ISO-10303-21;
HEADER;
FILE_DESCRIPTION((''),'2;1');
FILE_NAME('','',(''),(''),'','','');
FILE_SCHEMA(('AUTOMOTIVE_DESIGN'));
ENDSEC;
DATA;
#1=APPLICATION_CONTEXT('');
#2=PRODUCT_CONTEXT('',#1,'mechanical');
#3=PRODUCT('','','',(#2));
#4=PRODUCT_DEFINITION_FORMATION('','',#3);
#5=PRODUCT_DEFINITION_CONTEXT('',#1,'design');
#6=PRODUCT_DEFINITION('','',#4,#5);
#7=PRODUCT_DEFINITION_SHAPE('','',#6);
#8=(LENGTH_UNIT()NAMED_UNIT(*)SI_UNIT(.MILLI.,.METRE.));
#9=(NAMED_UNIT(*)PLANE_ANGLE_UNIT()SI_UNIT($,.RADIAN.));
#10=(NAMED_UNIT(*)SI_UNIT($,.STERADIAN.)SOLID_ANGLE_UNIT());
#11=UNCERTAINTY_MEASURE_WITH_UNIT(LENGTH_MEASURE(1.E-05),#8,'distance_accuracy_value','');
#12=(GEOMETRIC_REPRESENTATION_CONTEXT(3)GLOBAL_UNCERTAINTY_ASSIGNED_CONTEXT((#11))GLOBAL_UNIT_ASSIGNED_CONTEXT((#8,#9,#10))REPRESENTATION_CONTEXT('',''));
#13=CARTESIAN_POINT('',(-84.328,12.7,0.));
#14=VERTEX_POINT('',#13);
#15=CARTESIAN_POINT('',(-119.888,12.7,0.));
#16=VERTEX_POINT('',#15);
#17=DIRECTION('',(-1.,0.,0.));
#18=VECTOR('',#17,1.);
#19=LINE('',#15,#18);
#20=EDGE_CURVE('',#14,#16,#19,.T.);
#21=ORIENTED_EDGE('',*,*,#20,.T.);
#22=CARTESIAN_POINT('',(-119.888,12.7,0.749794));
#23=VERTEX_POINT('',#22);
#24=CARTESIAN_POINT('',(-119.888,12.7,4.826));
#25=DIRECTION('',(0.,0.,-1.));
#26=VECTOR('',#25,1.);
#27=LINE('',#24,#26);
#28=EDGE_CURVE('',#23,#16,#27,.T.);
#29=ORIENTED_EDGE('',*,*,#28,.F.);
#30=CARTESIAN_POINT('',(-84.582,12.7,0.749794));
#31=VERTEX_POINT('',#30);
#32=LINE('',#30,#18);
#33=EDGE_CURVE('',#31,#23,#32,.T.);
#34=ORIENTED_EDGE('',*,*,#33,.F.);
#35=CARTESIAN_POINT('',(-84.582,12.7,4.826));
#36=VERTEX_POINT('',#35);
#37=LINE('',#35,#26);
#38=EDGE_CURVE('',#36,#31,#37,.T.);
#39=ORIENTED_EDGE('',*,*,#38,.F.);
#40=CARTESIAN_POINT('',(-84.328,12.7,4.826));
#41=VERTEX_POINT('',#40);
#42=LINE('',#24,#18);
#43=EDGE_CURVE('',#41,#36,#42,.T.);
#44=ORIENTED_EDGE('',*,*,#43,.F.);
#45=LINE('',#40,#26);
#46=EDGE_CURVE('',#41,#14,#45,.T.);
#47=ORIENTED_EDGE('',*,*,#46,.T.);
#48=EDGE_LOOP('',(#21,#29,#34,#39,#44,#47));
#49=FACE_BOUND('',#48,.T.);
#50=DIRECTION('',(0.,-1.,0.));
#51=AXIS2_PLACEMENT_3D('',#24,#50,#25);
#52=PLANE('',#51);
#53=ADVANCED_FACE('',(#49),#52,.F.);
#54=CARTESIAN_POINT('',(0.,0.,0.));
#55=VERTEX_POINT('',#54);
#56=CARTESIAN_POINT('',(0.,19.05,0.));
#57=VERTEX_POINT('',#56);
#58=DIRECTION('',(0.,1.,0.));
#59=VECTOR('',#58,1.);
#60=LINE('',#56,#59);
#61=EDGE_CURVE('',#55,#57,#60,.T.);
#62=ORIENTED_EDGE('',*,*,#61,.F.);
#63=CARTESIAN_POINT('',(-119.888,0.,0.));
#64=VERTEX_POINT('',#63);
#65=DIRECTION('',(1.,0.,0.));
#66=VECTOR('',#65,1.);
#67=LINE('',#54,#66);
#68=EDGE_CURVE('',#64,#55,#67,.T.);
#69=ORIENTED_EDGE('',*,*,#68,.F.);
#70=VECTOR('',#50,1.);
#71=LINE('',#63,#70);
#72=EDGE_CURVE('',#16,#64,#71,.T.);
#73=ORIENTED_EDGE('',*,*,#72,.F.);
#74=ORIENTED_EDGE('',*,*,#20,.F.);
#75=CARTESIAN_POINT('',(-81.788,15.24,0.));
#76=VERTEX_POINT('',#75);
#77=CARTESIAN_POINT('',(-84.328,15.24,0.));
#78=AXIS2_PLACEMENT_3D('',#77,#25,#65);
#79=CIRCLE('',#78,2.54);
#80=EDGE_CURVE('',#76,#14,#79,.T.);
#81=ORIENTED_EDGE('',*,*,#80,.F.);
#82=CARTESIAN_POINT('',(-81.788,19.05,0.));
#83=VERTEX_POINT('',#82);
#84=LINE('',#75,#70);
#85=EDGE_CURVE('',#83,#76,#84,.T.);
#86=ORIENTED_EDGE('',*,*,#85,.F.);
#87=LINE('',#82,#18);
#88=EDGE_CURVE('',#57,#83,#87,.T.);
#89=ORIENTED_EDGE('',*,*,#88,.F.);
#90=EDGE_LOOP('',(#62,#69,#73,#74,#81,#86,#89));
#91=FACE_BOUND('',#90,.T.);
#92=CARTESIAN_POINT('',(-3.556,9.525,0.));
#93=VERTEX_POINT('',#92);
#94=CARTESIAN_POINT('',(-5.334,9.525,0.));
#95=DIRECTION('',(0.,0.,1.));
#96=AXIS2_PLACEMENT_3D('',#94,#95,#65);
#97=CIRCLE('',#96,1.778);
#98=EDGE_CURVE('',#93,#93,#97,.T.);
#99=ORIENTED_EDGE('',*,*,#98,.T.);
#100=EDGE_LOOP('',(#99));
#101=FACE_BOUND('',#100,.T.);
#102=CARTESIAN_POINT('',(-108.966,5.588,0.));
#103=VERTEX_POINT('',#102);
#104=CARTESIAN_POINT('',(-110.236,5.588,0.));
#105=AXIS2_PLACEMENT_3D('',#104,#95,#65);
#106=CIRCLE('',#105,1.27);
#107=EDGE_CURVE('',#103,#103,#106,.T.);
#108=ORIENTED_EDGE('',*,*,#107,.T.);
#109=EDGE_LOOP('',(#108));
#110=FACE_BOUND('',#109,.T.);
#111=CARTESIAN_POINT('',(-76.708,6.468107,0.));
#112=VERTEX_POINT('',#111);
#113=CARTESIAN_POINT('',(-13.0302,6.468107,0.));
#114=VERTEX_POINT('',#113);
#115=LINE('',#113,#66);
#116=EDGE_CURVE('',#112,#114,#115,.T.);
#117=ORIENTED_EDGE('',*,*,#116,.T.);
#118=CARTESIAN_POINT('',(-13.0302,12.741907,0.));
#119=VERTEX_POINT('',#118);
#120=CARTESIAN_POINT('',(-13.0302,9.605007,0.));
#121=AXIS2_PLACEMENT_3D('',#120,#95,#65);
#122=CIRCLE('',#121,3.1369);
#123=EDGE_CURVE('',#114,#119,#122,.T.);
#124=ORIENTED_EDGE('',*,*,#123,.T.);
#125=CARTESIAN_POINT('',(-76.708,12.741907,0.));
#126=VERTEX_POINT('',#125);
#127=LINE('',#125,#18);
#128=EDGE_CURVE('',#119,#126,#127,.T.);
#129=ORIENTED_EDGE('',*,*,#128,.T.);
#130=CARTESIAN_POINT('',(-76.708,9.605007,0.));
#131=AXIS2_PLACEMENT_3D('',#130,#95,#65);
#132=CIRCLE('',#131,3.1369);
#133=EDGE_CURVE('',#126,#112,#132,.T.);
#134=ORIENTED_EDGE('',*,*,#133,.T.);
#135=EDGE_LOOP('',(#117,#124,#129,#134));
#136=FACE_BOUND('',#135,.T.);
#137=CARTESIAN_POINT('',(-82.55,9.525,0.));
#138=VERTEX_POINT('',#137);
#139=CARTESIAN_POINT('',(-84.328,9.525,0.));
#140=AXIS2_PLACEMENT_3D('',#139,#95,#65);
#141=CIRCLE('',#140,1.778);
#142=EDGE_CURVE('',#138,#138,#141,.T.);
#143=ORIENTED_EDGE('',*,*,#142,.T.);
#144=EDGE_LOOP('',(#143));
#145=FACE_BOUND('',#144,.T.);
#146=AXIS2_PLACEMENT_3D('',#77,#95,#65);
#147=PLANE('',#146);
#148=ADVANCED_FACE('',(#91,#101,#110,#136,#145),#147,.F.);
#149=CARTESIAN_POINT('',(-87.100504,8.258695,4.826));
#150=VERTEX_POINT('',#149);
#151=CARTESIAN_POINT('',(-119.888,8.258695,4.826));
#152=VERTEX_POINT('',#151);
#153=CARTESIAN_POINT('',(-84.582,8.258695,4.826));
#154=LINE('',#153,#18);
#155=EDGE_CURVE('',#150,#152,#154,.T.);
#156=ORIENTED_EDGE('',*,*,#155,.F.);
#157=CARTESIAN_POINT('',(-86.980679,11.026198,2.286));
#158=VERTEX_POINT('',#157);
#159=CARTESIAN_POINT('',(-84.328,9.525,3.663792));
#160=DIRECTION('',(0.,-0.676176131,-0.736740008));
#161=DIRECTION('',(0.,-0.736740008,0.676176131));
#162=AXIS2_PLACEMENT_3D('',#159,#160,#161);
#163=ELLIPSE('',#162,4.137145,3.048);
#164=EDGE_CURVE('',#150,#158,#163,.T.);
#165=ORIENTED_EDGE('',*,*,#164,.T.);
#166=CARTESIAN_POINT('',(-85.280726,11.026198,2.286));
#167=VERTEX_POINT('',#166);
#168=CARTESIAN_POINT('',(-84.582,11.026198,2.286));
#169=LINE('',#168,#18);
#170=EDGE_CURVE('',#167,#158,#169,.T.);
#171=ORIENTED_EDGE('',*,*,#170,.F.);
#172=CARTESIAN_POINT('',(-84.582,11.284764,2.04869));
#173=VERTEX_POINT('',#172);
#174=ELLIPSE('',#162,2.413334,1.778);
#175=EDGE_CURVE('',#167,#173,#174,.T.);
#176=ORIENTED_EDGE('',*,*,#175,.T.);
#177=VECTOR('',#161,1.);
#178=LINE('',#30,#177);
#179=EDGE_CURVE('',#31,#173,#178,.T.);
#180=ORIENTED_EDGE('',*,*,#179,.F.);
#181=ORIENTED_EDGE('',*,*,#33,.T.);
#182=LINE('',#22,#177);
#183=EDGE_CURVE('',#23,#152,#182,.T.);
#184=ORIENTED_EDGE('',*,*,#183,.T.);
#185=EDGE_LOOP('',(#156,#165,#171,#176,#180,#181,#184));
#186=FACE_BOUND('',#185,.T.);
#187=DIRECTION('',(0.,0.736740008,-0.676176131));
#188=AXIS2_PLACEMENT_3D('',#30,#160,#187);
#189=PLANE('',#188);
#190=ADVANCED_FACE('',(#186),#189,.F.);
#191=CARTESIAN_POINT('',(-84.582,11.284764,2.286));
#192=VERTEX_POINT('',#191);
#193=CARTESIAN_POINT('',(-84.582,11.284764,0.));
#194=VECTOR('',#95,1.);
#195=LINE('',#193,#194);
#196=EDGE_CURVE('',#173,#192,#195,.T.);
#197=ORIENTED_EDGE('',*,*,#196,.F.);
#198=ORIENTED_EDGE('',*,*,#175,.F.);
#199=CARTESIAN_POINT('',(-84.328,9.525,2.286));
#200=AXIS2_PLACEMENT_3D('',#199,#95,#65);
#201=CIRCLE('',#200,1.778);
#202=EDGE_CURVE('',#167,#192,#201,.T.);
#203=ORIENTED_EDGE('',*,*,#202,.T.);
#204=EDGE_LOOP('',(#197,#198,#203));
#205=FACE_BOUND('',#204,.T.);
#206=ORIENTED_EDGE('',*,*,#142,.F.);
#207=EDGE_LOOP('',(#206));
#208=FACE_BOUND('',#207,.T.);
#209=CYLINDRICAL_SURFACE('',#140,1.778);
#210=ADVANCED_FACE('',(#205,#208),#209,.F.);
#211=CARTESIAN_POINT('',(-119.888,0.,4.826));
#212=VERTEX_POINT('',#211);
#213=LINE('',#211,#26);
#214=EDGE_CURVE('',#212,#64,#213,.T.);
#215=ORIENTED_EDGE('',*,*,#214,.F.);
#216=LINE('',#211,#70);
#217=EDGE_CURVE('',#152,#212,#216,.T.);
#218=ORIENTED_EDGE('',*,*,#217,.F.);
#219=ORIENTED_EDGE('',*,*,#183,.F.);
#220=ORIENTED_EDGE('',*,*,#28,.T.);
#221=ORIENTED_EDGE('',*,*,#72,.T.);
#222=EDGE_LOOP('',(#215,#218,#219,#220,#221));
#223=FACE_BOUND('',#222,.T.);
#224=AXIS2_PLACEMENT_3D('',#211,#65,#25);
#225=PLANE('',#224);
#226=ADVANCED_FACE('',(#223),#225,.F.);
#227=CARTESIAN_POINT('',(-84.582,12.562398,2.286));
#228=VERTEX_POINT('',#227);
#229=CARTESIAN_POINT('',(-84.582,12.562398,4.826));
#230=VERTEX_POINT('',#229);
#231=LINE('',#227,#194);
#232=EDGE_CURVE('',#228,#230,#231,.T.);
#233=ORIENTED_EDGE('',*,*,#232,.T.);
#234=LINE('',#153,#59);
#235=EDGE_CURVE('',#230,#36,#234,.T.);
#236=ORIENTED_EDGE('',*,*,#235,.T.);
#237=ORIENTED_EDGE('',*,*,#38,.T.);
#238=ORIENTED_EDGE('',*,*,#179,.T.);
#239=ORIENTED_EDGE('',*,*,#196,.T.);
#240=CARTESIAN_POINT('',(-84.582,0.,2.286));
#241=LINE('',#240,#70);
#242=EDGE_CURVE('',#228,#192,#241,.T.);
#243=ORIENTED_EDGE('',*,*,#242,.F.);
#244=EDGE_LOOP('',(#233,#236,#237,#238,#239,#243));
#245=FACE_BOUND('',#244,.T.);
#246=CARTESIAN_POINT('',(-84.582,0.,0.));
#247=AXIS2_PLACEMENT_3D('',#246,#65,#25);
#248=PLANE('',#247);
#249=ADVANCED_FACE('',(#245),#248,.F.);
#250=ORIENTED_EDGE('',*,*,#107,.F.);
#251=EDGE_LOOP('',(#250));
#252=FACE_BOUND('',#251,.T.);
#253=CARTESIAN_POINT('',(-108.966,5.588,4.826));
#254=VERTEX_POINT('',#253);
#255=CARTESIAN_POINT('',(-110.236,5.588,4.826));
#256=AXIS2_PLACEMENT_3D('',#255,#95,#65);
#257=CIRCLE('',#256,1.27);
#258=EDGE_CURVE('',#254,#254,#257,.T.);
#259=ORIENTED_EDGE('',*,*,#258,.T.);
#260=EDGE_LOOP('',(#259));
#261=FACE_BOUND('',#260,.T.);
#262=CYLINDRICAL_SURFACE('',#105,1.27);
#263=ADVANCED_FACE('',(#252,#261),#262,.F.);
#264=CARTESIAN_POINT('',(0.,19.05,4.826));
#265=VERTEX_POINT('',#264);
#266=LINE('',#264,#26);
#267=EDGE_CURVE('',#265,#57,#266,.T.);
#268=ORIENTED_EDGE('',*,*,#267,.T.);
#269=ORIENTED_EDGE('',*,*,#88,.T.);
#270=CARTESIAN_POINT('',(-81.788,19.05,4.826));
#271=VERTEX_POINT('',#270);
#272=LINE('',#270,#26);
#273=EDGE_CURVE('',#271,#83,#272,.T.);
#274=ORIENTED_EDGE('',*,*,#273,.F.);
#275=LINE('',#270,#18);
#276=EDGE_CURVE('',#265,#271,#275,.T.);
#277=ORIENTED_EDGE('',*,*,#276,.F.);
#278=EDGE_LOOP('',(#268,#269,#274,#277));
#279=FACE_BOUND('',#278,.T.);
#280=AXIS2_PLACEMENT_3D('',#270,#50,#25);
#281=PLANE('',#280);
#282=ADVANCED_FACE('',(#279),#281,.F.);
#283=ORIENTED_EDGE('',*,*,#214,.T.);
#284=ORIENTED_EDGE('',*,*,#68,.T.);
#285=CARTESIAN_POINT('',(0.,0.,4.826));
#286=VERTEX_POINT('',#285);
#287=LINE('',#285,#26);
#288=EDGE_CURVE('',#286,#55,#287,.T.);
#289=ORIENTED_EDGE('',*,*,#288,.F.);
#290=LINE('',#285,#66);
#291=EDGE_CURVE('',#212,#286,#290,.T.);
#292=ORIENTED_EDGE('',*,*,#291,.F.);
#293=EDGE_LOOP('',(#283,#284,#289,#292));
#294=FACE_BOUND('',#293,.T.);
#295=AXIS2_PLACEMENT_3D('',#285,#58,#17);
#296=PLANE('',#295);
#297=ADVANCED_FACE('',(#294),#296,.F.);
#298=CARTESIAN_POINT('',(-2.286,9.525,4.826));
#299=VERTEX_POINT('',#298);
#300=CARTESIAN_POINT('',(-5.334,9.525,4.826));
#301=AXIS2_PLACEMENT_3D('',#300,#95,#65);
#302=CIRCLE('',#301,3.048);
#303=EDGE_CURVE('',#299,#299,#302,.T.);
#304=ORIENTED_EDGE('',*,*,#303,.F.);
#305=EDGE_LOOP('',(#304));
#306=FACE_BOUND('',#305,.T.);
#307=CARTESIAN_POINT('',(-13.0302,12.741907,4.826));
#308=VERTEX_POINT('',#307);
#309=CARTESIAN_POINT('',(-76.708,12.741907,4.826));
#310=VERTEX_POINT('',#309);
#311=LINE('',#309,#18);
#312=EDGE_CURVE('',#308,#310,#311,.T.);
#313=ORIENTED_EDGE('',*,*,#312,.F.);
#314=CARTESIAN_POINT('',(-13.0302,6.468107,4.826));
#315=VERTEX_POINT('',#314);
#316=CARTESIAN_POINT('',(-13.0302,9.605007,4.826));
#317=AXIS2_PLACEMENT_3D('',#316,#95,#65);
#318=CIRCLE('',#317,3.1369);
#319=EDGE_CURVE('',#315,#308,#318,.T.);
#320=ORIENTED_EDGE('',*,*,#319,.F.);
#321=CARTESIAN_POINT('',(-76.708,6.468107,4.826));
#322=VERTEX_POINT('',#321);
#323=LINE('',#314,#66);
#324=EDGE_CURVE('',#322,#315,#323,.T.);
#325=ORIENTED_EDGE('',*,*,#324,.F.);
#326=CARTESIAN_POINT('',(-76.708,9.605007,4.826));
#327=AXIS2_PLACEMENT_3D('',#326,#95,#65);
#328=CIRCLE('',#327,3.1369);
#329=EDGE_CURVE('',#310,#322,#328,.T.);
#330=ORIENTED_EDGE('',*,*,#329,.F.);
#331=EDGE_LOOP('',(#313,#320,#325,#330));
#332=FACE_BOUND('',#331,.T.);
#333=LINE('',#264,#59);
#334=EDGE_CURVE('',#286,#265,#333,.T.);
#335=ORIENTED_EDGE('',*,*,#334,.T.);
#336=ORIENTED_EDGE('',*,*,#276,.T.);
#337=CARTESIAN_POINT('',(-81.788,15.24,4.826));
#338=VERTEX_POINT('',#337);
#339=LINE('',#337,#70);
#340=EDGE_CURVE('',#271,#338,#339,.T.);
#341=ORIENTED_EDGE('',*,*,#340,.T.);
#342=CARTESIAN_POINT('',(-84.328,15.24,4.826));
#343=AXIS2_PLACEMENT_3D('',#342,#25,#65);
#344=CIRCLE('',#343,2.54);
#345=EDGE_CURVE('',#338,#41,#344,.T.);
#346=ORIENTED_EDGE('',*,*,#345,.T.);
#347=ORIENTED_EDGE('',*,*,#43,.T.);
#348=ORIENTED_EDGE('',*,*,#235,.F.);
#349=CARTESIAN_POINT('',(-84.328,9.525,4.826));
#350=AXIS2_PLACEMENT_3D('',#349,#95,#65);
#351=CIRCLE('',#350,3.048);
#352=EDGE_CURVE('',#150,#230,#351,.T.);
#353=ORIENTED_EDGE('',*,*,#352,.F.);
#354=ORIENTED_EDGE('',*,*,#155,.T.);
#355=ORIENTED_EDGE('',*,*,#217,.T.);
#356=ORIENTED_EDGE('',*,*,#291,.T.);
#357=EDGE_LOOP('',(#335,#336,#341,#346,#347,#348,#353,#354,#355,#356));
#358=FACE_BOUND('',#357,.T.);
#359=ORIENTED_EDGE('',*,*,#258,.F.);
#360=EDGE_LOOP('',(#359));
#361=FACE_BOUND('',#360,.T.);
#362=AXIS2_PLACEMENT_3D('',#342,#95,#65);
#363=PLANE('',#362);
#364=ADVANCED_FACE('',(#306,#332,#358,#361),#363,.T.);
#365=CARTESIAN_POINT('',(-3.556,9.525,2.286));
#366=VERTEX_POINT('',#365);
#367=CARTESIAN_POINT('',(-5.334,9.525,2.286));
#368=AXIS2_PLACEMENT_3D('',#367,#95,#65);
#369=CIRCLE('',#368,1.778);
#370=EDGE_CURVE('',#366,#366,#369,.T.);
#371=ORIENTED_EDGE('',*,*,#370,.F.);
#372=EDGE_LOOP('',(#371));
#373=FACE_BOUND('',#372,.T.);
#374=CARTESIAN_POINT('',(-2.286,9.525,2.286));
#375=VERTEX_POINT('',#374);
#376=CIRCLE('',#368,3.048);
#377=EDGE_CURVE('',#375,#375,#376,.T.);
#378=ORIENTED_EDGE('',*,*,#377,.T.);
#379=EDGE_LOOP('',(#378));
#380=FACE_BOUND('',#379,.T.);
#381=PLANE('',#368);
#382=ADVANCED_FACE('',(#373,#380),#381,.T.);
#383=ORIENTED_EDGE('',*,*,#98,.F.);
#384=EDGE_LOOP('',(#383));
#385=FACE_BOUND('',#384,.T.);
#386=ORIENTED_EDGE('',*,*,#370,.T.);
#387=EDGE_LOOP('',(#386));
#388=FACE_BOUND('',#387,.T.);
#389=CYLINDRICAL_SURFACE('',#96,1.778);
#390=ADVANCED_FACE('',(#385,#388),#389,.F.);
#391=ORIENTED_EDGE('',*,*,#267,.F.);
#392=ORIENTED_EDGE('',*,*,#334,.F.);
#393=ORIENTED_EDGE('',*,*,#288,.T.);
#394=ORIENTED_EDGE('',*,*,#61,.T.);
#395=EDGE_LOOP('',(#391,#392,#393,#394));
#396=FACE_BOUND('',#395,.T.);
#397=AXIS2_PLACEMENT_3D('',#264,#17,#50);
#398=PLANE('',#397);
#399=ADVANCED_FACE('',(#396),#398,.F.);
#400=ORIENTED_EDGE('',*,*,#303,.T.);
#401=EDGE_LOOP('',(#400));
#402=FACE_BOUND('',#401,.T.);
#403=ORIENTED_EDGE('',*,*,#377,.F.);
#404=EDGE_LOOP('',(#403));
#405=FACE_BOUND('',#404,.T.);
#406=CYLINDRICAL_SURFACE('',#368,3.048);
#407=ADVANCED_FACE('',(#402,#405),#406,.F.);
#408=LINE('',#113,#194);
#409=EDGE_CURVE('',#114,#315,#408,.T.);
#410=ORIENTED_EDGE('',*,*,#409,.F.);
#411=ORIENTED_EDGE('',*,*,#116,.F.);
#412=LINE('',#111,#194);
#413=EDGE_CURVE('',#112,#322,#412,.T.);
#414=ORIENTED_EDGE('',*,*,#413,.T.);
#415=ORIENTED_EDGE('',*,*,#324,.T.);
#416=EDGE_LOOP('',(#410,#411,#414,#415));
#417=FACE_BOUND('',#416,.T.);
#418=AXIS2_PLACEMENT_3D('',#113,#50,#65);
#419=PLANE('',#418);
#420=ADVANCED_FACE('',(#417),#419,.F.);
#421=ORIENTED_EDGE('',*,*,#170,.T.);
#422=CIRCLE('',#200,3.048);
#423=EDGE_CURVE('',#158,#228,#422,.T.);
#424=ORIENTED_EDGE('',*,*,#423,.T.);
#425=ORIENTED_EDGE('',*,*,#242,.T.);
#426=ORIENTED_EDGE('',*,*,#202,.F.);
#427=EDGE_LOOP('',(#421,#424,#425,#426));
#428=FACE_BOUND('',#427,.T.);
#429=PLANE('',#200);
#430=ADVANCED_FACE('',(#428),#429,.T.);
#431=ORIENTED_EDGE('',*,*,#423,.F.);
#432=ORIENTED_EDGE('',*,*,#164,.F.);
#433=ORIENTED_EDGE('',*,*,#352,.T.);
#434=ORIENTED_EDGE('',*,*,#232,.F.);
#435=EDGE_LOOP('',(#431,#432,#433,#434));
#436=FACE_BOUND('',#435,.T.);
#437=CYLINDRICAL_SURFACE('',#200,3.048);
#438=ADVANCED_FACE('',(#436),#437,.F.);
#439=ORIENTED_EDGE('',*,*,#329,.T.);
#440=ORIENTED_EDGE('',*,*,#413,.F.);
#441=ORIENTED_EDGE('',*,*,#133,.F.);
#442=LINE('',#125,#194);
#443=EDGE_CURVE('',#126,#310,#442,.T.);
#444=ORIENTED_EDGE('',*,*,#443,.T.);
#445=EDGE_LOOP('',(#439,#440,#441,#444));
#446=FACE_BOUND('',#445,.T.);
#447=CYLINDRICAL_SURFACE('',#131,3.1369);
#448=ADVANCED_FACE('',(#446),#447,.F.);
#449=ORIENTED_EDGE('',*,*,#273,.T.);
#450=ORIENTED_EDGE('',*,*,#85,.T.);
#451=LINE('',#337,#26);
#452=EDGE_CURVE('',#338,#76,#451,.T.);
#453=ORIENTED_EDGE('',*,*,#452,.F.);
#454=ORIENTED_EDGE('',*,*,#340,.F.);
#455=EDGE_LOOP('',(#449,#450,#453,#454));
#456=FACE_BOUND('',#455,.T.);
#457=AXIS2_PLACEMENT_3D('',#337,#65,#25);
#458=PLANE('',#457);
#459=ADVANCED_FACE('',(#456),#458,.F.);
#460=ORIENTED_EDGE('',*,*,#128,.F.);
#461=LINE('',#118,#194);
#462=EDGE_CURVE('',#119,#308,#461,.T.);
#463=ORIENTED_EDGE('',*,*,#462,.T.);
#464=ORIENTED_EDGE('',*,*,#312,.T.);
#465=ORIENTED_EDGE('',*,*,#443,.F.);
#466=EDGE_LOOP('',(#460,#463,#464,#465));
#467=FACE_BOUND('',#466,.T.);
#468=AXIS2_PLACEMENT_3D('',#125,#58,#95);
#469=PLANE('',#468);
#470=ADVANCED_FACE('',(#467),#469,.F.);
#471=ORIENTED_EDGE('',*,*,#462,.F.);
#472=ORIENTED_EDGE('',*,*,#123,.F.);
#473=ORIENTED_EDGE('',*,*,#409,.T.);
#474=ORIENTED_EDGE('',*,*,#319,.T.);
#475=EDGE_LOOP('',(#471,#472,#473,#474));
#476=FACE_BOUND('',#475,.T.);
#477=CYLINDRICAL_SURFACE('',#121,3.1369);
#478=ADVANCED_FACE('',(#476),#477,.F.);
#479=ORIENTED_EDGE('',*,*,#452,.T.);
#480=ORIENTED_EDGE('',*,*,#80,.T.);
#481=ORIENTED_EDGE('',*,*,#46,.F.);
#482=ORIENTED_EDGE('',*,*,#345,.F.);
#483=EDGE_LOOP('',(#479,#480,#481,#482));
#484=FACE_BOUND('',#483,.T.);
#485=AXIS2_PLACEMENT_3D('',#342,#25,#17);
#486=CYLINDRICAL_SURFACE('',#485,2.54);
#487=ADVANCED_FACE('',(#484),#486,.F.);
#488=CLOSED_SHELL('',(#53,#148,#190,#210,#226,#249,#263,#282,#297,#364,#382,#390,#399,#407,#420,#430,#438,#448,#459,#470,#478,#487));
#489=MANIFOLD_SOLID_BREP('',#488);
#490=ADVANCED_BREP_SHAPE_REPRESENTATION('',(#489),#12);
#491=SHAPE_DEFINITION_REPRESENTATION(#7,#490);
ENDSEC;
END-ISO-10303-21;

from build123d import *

# Parameters (mm, degrees)
BOSS_EXTRUDE1_DEPTH = 4.826
CUT_EXTRUDE1_DEPTH  = 35.306
SKETCH3_R           = 3.048
CUT_EXTRUDE2_DEPTH  = 2.54
SKETCH4_R           = 1.778
SKETCH4_R_2         = 1.27
CUT_EXTRUDE3_DEPTH  = 5.826
CUT_EXTRUDE4_DEPTH  = 5.826


with BuildPart() as part:
    # Sketch1 → Boss-Extrude1 (new body)
    with BuildSketch(Plane.XY):
        with BuildLine():
            Line((0, 0), (-119.888, 0))
            Line((-119.888, 0), (-119.888, 12.7))
            Line((-119.888, 12.7), (-84.328, 12.7))
            ThreePointArc((-84.328, 12.7), (-82.531948776, 13.443948776), (-81.788, 15.24))
            Line((-81.788, 15.24), (-81.788, 19.05))
            Line((-81.788, 19.05), (0, 19.05))
            Line((0, 19.05), (0, 0))
        make_face()
    extrude(amount=BOSS_EXTRUDE1_DEPTH)

    # Sketch2 → Cut-Extrude1 (cut)
    with BuildSketch(Plane.ZY.offset(119.888)):
        Polygon((0.74979355, 12.7), (4.826, 8.258695089), (4.826, 12.7), align=None)
    extrude(amount=-CUT_EXTRUDE1_DEPTH, mode=Mode.SUBTRACT)

    # Sketch3 → Cut-Extrude2 (cut)
    with BuildSketch(Plane.XY.offset(4.826)):
        with Locations((-5.334, 9.525)):
            Circle(SKETCH3_R)
        with Locations((-84.328, 9.525)):
            Circle(SKETCH3_R)
    extrude(amount=-CUT_EXTRUDE2_DEPTH, mode=Mode.SUBTRACT)

    # Sketch4 → Cut-Extrude3 (cut, through all)
    with BuildSketch(Plane.XY.offset(4.826)):
        with Locations((-5.334, 9.525)):
            Circle(SKETCH4_R)
        with Locations((-84.328, 9.525)):
            Circle(SKETCH4_R)
        with Locations((-110.236, 5.588)):
            Circle(SKETCH4_R_2)
    extrude(amount=-CUT_EXTRUDE3_DEPTH, mode=Mode.SUBTRACT)

    # Sketch5 → Cut-Extrude4 (cut, through all)
    with BuildSketch(Plane.XY.offset(4.826)):
        with BuildLine():
            Line((-76.708, 12.741907021), (-13.0302, 12.741907021))
            ThreePointArc((-13.0302, 12.741907021), (-9.8933, 9.605007021), (-13.0302, 6.468107021))
            Line((-13.0302, 6.468107021), (-76.708, 6.468107021))
            ThreePointArc((-76.708, 6.468107021), (-79.8449, 9.605007021), (-76.708, 12.741907021))
        make_face()
    extrude(amount=-CUT_EXTRUDE4_DEPTH, mode=Mode.SUBTRACT)


solid = part.part
